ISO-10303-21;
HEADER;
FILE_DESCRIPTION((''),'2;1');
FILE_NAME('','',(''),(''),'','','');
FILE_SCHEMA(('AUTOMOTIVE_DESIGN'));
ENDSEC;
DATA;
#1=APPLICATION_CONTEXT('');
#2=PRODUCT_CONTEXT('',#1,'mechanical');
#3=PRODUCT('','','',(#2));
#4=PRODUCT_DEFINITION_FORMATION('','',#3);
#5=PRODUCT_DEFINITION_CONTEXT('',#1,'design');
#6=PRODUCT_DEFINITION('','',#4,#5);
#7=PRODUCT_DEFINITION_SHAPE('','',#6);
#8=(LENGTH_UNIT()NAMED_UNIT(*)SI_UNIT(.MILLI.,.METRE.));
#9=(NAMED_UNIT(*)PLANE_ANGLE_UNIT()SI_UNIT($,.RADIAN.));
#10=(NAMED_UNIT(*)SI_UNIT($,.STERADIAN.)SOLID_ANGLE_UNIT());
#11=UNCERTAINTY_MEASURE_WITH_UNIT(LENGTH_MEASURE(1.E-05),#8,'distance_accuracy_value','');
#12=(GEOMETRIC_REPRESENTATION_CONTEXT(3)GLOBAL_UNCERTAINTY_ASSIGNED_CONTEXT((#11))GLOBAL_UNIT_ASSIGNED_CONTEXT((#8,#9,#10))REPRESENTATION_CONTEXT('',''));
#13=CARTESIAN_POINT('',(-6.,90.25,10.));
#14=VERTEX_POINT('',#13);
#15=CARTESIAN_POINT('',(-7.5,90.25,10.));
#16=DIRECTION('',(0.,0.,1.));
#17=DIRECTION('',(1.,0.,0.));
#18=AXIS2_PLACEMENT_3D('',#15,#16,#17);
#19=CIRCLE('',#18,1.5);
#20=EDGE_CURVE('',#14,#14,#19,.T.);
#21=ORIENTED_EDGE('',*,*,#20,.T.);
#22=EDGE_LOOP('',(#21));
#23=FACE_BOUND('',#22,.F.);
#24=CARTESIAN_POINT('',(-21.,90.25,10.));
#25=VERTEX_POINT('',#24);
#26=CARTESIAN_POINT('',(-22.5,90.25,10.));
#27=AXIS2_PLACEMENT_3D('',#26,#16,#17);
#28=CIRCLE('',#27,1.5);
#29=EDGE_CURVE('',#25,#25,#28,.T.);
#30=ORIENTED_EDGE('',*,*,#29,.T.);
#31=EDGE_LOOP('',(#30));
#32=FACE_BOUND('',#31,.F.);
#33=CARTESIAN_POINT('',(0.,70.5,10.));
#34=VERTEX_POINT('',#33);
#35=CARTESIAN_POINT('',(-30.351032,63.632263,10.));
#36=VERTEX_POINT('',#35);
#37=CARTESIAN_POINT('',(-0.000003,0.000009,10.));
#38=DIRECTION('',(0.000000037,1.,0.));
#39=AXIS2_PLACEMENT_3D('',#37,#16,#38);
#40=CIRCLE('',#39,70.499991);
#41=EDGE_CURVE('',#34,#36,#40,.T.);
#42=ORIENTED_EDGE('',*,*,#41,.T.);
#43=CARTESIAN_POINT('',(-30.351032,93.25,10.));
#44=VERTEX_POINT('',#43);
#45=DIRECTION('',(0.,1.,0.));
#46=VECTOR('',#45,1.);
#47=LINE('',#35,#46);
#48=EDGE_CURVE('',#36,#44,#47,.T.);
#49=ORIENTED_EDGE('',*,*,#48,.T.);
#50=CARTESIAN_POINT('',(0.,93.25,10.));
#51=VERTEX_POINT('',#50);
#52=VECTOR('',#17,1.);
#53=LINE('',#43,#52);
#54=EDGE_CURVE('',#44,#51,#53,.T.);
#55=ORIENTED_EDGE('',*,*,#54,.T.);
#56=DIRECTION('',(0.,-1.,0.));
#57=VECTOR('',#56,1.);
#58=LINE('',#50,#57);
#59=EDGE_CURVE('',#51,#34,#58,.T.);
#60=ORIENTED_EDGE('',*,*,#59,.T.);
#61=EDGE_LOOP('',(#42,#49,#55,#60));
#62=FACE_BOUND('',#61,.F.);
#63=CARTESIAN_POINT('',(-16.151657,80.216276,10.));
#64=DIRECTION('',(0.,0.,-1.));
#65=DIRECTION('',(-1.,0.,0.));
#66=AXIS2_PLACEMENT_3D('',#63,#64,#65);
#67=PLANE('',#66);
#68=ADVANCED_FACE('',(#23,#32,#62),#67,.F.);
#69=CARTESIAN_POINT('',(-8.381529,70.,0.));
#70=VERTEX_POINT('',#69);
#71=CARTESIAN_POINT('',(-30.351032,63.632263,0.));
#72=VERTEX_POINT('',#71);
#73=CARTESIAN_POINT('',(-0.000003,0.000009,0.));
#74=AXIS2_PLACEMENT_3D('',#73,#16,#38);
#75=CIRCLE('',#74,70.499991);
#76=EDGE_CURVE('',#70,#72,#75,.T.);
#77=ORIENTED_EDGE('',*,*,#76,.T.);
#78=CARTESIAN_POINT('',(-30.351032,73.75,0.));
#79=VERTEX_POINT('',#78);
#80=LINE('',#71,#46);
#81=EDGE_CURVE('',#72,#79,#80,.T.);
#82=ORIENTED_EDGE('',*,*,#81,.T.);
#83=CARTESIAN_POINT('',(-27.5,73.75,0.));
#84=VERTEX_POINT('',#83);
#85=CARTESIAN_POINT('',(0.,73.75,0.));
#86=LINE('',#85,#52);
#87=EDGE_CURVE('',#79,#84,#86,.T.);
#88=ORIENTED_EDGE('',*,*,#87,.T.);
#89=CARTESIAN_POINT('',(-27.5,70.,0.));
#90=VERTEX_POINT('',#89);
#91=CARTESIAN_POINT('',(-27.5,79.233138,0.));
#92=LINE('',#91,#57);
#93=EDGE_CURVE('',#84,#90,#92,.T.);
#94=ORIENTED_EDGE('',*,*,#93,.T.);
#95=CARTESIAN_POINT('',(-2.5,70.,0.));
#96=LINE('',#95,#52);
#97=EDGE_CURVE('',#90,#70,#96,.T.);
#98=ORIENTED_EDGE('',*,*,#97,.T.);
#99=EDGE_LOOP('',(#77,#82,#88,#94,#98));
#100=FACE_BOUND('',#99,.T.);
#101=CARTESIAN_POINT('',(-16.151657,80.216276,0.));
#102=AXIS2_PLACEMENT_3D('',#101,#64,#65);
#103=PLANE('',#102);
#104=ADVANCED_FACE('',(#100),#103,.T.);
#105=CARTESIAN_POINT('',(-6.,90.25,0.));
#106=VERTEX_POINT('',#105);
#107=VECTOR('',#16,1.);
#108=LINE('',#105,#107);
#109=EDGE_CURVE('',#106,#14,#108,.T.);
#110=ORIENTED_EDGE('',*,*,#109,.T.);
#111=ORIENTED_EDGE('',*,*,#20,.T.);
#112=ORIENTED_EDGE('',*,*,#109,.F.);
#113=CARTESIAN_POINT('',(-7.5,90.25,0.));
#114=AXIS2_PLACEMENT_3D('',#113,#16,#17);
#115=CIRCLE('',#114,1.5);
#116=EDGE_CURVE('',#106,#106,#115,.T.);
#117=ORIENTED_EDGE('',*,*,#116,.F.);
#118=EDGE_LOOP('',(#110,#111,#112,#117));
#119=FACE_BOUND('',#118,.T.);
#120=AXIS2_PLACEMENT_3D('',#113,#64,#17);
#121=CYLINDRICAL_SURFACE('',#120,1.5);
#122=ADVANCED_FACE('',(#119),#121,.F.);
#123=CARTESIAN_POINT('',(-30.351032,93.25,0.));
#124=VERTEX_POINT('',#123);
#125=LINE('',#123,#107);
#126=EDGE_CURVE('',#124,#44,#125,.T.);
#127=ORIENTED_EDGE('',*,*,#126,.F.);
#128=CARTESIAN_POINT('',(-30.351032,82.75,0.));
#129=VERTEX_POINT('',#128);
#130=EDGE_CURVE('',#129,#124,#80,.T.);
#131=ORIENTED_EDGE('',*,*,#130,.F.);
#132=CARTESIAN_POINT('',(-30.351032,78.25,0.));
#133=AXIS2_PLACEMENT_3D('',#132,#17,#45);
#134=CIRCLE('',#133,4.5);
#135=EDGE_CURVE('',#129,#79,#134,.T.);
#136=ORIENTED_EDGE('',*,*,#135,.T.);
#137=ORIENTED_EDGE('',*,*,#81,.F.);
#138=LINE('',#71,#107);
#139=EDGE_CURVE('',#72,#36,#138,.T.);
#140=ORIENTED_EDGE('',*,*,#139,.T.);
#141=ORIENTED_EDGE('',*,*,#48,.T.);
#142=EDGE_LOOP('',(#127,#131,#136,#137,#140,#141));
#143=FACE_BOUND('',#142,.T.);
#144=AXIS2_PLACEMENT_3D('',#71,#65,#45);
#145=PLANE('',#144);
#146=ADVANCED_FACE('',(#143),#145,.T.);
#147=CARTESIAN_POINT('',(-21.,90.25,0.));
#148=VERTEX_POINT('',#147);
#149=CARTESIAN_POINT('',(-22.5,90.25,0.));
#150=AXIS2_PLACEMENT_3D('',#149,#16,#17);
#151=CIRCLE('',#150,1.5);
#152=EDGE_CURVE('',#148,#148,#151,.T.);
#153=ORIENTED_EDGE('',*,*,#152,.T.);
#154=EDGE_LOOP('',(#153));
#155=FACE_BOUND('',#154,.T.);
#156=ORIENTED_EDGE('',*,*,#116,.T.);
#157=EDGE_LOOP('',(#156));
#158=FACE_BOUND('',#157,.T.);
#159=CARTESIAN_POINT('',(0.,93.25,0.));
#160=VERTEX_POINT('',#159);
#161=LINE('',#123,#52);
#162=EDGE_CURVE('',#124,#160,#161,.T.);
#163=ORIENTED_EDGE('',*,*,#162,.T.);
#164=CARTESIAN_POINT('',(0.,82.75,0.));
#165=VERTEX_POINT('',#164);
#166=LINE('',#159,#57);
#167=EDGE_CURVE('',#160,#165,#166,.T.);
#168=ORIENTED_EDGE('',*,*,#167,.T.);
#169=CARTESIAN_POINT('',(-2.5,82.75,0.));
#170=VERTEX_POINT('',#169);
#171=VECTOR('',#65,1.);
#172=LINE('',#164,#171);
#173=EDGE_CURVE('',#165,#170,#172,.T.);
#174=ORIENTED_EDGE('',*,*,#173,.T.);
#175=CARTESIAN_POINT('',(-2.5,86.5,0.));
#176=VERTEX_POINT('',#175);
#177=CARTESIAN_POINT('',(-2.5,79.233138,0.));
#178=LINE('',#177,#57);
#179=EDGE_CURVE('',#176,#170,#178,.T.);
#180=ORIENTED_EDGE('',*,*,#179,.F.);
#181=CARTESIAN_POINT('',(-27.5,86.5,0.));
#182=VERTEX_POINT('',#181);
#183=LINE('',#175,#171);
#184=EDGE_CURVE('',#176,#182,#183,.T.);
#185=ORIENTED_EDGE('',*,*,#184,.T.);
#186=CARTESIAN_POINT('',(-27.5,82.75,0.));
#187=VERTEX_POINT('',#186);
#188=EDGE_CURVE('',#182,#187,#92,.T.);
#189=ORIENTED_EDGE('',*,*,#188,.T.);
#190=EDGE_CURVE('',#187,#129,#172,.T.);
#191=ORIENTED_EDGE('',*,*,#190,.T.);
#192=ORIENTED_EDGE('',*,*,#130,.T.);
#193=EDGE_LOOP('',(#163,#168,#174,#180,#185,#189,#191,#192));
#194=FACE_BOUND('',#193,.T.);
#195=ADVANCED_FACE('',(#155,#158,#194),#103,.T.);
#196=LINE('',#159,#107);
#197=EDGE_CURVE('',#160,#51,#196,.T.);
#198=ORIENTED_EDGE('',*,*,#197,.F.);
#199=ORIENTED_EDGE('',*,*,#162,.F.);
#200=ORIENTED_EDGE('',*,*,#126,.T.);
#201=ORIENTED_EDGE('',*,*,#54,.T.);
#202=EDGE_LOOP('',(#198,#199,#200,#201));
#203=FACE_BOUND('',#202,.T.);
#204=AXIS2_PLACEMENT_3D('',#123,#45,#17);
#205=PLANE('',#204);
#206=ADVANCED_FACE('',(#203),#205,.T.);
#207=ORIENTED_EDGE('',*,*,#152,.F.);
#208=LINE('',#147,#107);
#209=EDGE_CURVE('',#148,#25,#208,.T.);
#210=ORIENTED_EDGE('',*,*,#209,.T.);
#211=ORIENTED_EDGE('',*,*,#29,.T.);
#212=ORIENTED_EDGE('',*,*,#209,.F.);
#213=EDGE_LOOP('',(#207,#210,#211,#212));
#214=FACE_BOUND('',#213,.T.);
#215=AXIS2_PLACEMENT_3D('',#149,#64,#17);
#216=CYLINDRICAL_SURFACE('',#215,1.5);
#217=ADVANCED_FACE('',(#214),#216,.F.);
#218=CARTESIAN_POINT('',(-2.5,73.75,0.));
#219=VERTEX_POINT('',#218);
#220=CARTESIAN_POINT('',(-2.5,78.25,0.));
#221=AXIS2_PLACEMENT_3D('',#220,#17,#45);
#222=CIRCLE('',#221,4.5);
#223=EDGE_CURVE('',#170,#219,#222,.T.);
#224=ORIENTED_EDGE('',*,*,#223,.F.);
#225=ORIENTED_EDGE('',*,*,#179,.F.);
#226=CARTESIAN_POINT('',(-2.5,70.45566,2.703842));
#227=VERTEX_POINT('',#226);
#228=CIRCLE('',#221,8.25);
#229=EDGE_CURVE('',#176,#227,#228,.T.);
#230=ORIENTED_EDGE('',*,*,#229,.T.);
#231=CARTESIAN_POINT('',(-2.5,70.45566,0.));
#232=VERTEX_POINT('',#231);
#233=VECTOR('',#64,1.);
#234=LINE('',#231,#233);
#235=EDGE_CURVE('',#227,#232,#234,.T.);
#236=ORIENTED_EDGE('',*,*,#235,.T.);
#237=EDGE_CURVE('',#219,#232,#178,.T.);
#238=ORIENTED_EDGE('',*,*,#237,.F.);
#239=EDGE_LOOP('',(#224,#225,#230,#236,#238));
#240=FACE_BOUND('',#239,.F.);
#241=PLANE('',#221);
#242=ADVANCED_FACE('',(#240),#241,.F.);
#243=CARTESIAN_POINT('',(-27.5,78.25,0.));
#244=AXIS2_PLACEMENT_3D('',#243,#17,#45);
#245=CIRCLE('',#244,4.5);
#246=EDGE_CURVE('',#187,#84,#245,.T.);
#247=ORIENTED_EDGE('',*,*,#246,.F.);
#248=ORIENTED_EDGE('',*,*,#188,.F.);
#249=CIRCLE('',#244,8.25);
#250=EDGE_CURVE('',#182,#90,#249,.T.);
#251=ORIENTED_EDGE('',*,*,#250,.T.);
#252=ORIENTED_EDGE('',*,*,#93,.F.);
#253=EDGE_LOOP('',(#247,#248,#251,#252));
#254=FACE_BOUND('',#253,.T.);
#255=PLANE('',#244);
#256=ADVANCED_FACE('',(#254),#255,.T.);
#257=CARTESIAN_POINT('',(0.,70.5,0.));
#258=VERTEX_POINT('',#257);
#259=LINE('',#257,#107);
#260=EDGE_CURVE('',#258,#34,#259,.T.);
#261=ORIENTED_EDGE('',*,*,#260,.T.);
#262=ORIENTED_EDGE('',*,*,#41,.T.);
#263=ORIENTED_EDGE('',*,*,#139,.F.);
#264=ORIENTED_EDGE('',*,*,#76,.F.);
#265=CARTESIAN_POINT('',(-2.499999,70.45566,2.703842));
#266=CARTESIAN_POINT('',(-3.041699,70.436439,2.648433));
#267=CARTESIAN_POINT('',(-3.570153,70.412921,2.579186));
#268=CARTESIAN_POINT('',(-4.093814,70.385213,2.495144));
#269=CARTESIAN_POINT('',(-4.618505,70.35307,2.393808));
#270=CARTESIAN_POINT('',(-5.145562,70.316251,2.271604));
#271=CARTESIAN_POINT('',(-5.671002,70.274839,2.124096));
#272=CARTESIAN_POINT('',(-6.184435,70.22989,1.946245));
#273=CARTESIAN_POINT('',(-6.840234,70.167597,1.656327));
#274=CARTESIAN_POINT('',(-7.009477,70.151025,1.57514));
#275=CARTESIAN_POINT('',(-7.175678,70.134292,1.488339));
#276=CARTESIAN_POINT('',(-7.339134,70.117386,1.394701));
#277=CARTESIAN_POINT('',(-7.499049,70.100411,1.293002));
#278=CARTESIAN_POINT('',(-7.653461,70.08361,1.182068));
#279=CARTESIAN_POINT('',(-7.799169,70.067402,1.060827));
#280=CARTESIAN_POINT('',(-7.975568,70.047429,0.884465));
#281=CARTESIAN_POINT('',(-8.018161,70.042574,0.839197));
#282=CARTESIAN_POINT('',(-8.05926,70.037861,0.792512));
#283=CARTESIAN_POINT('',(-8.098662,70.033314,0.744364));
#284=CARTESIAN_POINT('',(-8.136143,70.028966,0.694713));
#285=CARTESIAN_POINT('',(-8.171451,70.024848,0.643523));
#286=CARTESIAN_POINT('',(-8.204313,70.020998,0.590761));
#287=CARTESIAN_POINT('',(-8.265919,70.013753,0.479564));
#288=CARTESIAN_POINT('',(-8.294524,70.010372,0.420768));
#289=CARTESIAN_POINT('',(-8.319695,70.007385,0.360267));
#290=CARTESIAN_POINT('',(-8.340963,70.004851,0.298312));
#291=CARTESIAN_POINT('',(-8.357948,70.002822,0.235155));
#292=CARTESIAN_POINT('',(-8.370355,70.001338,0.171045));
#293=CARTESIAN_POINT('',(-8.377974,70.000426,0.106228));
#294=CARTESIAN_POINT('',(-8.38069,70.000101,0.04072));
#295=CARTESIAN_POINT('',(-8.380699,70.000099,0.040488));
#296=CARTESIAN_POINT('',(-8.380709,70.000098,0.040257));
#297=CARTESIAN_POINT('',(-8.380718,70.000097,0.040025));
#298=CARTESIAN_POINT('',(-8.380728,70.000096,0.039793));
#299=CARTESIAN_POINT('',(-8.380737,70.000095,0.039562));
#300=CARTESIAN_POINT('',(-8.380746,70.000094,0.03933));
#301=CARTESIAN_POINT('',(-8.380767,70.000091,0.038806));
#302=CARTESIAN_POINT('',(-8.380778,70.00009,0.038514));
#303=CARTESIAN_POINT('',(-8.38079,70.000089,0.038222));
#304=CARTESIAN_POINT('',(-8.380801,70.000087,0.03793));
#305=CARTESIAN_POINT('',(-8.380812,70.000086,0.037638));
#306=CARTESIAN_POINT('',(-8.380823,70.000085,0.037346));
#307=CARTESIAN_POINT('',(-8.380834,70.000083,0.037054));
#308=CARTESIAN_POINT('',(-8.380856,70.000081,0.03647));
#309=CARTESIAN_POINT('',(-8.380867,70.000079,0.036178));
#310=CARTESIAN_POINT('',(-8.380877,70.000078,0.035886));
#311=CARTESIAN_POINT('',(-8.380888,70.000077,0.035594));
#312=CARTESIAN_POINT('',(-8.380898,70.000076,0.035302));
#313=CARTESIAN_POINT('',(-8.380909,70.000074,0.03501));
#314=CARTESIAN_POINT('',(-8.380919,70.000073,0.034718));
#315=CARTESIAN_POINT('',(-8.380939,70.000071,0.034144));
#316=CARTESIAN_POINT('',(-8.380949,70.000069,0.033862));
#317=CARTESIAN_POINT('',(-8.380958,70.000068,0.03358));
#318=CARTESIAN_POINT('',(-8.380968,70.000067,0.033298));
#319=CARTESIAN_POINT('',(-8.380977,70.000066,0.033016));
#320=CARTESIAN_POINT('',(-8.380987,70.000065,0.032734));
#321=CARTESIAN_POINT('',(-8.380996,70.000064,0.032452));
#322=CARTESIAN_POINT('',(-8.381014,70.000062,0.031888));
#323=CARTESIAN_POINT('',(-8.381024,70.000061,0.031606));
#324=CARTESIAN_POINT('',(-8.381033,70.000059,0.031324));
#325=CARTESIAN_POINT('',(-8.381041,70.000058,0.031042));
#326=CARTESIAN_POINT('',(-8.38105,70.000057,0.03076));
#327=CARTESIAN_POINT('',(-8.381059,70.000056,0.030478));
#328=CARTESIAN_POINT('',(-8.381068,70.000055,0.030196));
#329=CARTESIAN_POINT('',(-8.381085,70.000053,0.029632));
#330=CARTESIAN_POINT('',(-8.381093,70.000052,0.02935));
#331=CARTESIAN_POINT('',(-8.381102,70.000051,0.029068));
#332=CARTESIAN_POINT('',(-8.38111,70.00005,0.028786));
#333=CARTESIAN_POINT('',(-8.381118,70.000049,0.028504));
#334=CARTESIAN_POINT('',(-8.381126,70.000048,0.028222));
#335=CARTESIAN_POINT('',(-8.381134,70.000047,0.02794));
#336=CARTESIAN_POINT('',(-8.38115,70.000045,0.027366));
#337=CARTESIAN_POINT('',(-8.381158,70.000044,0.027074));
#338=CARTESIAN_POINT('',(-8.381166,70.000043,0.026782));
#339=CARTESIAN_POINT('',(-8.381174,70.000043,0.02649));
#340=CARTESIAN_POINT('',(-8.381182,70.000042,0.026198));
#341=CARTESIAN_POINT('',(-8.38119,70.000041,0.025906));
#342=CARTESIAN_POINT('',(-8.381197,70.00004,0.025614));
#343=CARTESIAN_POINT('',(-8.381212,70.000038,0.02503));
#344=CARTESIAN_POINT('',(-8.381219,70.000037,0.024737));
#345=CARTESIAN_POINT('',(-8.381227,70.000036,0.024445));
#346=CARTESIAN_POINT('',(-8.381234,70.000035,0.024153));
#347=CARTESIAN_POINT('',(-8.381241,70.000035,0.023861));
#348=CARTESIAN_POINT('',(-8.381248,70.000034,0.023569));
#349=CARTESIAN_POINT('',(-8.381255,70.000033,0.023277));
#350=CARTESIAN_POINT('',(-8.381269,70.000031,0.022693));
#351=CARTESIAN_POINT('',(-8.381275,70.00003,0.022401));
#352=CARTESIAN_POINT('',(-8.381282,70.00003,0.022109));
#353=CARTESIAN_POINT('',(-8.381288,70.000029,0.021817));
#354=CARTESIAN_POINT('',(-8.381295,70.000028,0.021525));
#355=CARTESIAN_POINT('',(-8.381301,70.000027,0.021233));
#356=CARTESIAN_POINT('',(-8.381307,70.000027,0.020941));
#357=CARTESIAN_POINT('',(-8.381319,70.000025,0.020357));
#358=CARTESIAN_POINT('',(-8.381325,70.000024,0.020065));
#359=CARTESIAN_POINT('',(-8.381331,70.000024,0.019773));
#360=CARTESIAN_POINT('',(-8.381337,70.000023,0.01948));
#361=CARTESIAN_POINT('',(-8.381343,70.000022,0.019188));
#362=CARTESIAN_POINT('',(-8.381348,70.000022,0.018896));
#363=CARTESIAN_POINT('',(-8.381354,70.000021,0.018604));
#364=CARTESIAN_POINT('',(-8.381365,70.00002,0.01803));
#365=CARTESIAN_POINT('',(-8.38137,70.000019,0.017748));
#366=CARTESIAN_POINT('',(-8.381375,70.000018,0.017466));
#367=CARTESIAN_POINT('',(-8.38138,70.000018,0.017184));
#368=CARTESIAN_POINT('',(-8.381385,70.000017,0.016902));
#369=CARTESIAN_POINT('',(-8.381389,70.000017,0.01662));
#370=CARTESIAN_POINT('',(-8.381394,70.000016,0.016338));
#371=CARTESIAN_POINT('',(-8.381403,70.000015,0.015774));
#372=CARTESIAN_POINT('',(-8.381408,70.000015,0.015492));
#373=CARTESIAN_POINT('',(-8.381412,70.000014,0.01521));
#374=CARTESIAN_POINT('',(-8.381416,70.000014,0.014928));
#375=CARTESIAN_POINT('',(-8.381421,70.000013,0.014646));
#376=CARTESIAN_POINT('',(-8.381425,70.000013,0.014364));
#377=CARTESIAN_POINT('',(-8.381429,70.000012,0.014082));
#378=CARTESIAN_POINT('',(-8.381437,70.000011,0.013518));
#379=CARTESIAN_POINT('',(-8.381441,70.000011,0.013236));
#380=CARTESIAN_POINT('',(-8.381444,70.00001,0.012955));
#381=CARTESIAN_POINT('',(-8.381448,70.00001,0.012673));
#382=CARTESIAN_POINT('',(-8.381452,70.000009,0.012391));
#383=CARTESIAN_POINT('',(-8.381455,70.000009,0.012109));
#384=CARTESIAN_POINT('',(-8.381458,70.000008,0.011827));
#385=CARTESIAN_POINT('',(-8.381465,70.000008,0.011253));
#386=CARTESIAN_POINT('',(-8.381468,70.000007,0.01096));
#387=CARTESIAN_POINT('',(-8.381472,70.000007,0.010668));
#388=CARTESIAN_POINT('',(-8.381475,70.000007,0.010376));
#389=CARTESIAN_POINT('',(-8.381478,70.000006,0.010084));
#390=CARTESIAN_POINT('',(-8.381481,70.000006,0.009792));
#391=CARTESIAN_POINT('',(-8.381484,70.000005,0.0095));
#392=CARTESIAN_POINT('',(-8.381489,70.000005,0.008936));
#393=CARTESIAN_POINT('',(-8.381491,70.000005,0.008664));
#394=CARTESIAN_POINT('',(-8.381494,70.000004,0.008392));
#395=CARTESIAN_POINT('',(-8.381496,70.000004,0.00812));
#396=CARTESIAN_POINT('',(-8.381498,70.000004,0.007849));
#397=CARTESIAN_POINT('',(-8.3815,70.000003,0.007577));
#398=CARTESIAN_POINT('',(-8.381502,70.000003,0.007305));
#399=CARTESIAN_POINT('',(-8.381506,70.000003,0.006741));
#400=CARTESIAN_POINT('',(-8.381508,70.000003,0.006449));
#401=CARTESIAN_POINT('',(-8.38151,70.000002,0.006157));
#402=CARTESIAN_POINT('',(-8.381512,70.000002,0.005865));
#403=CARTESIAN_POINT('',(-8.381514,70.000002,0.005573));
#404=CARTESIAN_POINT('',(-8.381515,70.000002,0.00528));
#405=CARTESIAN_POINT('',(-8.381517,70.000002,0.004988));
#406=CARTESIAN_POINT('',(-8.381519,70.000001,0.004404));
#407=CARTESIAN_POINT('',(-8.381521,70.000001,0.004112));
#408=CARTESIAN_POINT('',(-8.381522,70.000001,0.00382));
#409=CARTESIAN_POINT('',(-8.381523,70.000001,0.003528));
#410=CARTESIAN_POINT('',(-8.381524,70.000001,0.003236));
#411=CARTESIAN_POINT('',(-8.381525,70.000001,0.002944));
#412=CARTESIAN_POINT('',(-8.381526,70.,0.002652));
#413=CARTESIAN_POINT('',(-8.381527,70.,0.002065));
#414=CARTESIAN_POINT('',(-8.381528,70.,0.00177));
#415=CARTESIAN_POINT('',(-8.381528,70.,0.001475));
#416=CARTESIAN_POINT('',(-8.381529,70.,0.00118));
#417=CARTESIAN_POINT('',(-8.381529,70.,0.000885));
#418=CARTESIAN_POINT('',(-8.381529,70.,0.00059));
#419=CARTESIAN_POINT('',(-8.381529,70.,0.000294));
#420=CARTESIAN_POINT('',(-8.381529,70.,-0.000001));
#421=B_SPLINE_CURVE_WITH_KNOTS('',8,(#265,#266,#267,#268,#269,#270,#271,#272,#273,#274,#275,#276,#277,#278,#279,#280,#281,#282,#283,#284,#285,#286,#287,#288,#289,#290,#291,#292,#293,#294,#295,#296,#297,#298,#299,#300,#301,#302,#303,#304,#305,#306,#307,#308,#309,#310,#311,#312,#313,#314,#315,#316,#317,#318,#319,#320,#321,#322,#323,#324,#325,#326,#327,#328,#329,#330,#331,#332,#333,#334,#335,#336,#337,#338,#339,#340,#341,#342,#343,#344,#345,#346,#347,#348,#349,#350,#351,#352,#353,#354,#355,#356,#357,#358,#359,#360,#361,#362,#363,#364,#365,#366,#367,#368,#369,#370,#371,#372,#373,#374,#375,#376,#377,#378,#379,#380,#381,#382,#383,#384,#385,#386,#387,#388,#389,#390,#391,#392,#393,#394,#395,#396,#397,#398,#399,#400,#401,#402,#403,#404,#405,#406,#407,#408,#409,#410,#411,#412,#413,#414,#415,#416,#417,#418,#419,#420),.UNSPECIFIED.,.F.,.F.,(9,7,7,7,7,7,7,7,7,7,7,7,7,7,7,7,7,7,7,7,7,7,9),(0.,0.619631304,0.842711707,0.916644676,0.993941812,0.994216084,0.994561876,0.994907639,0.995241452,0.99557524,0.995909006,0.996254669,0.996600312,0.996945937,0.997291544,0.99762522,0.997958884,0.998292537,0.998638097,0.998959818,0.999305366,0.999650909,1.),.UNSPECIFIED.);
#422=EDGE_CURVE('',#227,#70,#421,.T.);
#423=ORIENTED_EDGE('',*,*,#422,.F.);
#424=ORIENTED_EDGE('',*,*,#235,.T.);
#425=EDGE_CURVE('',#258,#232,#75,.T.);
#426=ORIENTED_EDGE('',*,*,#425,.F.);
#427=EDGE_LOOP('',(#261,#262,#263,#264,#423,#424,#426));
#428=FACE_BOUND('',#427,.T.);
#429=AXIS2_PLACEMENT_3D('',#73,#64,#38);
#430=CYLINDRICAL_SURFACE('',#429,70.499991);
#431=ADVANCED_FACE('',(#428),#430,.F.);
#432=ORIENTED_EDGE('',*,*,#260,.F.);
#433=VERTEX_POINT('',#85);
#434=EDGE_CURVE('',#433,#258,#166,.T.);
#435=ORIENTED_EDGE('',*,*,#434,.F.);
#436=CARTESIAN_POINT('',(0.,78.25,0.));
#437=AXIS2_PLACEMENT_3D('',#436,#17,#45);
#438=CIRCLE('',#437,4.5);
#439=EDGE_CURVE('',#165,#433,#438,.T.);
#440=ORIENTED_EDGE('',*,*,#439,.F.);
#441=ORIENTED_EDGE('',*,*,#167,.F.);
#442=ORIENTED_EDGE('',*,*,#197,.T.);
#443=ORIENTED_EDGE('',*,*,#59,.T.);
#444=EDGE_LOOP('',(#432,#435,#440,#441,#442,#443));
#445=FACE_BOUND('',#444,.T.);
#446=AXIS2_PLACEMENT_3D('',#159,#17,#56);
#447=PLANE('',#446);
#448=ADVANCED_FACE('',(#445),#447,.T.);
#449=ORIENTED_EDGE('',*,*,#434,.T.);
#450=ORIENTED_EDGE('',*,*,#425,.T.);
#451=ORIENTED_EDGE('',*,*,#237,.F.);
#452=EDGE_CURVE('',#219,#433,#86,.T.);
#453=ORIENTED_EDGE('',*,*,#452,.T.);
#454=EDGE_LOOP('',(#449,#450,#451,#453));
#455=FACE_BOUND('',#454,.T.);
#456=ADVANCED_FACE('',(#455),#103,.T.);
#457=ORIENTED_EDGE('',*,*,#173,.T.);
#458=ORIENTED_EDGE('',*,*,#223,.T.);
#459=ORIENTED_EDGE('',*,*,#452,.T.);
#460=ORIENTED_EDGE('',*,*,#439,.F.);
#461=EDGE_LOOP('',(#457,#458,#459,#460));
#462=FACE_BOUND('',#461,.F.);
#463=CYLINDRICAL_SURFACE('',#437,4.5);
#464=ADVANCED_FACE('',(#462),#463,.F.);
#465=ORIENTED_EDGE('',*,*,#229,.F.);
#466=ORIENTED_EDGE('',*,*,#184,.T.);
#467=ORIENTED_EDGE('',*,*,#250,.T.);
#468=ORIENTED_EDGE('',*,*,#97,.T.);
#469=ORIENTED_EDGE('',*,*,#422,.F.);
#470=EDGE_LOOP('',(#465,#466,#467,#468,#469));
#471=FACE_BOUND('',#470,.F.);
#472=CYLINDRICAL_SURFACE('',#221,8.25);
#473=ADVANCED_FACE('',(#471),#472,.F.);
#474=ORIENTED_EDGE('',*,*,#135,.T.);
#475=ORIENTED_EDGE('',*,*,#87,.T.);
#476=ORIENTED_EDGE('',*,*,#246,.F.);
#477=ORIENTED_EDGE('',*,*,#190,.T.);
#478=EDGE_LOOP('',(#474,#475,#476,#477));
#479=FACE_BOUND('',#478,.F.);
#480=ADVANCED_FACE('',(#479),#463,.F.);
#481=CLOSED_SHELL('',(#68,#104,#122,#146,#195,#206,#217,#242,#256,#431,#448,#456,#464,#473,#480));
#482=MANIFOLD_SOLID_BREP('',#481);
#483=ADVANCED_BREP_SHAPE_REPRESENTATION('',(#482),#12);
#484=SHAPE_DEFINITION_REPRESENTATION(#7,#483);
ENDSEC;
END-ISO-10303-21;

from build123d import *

# Parameters (mm, degrees)
SKETCH_R        = 1.5
PAD_DEPTH       = 10
SKETCH001_R     = 4.5
POCKET_DEPTH    = 30.352032
SKETCH002_R     = 8.25
POCKET001_DEPTH = 25


with BuildPart() as part:
    # Sketch → Pad (new body)
    with BuildSketch(Plane.XY):
        with BuildLine():
            ThreePointArc((0, 70.5), (-15.559169, 68.761634), (-30.351032, 63.632263))
            Line((-30.351032, 63.632263), (-30.351032, 93.25))
            Line((-30.351032, 93.25), (0, 93.25))
            Line((0, 93.25), (0, 70.5))
        make_face()
        with Locations((-7.5, 90.25)):
            Circle(SKETCH_R, mode=Mode.SUBTRACT)
        with Locations((-22.5, 90.25)):
            Circle(SKETCH_R, mode=Mode.SUBTRACT)
    extrude(amount=PAD_DEPTH)

    # Sketch001 (on Face4 of Pad) → Pocket (cut, through all)
    with BuildSketch(Plane.YZ):
        with Locations((78.25, 0)):
            Circle(SKETCH001_R)
    extrude(amount=-POCKET_DEPTH, mode=Mode.SUBTRACT)

    # Sketch002 (on Face2 of Pocket) → Pocket001 (cut)
    with BuildSketch(Plane.YZ.offset(-2.5)):
        with Locations((78.25, 0)):
            Circle(SKETCH002_R)
    extrude(amount=-POCKET001_DEPTH, mode=Mode.SUBTRACT)


solid = part.part
